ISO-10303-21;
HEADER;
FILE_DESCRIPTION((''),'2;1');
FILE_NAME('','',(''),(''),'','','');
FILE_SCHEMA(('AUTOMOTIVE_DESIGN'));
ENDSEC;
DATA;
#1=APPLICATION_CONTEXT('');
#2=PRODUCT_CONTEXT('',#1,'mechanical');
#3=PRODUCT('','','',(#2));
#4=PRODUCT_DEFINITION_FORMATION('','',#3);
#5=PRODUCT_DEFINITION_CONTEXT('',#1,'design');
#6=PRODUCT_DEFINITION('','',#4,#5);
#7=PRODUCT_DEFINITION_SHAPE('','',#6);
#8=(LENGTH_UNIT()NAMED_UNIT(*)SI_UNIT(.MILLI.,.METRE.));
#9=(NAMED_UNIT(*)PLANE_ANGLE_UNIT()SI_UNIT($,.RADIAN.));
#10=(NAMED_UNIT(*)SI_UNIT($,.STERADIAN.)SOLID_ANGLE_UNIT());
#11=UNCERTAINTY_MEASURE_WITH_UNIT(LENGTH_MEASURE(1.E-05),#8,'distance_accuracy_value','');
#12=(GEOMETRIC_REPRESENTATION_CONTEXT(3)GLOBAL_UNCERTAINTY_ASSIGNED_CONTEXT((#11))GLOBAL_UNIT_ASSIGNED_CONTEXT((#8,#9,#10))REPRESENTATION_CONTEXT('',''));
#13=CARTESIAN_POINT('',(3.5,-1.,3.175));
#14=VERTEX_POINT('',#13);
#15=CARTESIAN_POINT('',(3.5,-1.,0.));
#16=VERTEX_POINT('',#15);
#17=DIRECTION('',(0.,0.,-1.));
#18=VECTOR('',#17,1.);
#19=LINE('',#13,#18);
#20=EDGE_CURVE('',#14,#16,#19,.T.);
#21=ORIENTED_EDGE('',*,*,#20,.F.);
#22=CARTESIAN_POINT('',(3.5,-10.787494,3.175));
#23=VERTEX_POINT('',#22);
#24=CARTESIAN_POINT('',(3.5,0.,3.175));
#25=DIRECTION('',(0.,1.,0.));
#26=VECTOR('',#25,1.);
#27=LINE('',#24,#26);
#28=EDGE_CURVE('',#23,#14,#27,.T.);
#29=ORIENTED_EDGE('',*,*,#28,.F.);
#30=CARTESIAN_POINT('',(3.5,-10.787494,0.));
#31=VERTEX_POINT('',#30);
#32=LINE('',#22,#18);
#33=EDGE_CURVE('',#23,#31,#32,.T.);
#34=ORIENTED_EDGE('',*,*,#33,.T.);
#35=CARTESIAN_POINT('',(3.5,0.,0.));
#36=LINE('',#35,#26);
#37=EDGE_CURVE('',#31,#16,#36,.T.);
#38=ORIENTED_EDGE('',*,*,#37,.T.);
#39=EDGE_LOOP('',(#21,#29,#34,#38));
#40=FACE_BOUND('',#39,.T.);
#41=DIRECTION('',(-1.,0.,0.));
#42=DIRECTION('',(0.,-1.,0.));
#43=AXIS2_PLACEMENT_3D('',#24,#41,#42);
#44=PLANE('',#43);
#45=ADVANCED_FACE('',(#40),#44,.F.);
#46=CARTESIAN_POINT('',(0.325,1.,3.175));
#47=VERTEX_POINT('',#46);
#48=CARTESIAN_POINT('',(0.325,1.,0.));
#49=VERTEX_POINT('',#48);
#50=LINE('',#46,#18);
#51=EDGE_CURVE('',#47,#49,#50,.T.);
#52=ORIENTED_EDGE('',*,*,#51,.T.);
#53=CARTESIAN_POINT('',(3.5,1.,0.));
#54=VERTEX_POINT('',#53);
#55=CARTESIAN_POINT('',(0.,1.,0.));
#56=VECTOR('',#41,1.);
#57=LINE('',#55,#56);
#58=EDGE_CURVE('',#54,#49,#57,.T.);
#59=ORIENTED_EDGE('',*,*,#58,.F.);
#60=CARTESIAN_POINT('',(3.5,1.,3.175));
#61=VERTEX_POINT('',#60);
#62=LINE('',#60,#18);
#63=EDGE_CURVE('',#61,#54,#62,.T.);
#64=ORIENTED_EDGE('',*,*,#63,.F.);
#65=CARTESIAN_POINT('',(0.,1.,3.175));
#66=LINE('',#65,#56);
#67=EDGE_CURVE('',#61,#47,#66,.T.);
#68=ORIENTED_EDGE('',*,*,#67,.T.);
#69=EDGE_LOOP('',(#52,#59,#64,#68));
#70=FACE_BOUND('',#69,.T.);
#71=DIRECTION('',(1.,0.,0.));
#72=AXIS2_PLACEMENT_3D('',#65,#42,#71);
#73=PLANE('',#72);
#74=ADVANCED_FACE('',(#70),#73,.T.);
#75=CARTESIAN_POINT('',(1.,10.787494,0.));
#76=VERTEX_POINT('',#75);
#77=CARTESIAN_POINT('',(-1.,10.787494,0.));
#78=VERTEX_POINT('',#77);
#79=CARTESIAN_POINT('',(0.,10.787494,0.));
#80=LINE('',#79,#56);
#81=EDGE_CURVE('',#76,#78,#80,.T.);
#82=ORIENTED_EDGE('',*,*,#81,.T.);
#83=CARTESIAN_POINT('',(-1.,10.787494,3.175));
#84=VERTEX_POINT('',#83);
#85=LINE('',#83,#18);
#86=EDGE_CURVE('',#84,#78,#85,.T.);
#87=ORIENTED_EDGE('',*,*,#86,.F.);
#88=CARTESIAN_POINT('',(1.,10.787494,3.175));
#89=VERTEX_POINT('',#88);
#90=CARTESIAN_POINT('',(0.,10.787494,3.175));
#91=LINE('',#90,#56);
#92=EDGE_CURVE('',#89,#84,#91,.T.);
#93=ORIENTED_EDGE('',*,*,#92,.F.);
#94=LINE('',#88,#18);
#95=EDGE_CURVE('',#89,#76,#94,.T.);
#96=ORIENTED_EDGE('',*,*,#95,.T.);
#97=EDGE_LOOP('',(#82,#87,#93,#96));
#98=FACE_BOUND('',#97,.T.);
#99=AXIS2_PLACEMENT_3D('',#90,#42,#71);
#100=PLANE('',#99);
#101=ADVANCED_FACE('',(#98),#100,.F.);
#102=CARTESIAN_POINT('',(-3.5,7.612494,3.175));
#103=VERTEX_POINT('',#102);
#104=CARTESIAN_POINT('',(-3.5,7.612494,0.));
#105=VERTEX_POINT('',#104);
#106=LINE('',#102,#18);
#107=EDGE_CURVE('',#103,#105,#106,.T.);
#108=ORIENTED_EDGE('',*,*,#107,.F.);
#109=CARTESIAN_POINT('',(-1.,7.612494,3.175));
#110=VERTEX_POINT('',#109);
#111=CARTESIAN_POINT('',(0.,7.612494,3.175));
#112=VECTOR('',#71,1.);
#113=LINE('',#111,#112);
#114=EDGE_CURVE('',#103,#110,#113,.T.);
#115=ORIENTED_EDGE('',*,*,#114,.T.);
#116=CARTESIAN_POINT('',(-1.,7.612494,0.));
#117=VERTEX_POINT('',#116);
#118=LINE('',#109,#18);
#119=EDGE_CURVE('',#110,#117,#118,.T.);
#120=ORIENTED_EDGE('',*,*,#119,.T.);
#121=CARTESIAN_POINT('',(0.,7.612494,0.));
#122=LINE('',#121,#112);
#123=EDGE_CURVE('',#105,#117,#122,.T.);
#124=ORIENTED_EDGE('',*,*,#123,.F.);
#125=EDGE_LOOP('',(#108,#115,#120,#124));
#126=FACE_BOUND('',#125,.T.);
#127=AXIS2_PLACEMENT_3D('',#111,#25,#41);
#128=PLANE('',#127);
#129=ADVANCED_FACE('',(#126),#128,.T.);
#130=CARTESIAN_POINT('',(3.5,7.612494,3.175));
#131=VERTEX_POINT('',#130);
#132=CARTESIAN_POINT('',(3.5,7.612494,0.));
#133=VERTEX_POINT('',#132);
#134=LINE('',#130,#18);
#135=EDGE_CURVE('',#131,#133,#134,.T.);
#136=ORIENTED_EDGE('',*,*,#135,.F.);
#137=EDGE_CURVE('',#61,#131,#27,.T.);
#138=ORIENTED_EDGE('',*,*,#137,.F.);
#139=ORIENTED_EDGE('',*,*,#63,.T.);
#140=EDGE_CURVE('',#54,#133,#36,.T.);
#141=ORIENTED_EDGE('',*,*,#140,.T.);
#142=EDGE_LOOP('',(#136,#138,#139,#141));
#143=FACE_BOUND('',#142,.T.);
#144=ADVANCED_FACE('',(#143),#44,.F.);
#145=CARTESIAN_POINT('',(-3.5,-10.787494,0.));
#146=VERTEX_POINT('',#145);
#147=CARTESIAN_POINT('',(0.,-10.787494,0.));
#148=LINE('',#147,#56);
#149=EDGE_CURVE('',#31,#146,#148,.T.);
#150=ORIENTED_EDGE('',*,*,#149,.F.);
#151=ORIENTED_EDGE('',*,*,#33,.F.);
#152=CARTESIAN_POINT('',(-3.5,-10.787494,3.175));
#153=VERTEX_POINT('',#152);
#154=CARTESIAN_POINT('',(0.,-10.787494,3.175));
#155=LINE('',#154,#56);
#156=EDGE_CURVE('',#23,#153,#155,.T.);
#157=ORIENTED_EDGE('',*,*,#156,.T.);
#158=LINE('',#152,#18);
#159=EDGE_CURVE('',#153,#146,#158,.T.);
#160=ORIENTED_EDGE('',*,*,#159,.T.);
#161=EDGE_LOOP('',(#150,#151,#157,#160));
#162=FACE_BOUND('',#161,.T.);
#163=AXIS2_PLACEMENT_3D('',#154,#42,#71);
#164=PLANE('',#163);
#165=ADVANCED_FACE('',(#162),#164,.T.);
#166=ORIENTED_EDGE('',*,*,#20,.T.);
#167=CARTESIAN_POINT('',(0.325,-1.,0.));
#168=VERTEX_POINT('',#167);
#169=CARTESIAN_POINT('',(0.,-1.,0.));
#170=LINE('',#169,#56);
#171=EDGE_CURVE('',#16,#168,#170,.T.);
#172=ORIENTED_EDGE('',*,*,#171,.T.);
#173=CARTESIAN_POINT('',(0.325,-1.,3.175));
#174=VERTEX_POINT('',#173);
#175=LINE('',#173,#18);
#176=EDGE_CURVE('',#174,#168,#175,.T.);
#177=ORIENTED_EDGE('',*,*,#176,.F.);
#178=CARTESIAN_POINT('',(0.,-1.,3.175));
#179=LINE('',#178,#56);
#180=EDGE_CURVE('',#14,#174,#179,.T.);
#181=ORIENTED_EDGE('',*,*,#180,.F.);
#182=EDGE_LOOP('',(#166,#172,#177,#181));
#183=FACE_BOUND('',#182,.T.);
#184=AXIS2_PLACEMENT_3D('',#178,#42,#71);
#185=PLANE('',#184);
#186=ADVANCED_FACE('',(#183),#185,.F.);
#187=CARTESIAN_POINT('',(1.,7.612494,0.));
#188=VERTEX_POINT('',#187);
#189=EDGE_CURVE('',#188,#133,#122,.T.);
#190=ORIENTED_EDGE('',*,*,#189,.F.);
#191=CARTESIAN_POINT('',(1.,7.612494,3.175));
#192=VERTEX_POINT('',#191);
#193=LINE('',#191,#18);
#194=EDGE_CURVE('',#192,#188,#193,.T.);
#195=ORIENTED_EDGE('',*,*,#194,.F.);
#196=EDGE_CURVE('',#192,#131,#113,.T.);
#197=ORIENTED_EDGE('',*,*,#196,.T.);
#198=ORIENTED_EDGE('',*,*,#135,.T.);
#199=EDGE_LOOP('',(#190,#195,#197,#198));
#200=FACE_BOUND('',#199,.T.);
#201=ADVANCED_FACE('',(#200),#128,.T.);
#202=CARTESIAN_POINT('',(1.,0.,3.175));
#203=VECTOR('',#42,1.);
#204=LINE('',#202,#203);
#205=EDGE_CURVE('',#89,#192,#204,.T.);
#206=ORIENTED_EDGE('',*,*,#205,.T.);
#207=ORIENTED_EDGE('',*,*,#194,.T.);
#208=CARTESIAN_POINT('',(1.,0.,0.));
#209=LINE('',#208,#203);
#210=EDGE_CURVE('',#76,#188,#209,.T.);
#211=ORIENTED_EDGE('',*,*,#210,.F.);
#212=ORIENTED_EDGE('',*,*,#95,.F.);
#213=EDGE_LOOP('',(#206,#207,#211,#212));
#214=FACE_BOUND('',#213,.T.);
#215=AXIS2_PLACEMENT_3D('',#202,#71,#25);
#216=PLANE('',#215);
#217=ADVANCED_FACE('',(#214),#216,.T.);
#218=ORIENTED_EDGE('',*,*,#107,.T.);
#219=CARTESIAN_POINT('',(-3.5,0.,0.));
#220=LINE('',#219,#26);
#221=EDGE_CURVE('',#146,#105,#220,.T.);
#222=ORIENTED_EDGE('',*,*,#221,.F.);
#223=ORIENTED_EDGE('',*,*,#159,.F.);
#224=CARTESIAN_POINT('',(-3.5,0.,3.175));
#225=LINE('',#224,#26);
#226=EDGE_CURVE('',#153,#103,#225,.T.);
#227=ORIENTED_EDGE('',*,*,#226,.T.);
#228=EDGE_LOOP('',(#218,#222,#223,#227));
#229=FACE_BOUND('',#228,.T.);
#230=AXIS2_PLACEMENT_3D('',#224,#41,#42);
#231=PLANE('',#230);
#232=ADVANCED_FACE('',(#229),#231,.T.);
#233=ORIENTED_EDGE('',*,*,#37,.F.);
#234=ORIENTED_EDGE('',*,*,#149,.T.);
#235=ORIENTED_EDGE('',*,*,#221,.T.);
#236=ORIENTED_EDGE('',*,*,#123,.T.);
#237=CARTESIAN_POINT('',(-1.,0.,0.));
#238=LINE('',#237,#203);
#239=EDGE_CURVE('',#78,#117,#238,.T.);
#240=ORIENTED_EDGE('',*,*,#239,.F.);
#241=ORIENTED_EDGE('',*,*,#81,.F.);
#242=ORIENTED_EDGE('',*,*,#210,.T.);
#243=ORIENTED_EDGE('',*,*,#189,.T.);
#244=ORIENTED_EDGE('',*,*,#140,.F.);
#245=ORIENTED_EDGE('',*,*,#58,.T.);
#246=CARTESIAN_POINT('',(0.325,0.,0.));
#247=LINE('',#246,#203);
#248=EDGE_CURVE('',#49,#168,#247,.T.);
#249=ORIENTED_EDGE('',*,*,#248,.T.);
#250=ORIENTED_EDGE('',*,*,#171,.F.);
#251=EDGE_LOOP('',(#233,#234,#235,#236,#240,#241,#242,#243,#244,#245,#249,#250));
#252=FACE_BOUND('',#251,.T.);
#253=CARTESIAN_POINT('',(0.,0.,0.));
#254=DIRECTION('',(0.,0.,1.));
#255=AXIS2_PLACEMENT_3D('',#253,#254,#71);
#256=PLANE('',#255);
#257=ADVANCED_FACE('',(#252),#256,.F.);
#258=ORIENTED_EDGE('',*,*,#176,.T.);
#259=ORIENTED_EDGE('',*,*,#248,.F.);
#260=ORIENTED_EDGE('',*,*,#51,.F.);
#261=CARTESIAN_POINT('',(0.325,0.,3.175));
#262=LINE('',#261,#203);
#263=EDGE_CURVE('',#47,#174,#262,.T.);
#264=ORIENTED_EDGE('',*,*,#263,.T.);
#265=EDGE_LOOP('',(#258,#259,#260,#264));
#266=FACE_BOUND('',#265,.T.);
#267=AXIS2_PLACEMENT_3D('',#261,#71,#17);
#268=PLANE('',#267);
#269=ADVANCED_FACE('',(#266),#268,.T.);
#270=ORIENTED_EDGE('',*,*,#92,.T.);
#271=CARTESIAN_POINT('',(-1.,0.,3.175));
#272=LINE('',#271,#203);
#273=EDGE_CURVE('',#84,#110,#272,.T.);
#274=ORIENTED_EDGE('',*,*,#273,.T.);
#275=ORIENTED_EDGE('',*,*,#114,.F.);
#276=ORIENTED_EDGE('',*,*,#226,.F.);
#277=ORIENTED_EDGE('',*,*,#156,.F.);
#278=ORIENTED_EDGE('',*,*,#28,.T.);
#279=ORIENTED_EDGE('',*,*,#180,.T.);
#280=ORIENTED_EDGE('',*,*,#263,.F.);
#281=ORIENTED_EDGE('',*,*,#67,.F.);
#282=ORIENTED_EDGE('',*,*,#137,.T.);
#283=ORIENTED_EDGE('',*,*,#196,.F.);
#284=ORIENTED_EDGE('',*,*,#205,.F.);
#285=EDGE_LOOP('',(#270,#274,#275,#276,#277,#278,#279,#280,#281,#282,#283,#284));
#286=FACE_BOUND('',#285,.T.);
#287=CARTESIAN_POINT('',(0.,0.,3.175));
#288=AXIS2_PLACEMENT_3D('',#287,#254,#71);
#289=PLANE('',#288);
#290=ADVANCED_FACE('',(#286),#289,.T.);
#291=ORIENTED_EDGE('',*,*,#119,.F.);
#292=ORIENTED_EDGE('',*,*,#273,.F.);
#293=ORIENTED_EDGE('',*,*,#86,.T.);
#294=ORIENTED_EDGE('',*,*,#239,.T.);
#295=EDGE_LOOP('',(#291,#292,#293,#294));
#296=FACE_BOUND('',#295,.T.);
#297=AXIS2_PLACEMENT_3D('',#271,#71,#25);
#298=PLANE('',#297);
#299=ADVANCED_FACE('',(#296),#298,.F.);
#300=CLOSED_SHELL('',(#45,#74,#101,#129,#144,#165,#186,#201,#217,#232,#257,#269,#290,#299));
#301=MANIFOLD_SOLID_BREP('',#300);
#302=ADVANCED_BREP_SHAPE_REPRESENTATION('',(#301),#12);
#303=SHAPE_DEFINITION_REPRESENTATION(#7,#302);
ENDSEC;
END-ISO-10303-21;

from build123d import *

# Parameters (mm, degrees)
BOSS_EXTRUDE1_DEPTH = 3.175


with BuildPart() as part:
    # Sketch1 → Boss-Extrude1 (new body)
    with BuildSketch(Plane.XY):
        Polygon((-3.5, -10.7874943), (3.5, -10.7874943), (3.5, -1), (0.325, -1), (0.325, 1), (3.5, 1), (3.5, 7.6124943), (1, 7.6124943), (1, 10.7874943), (-1, 10.7874943), (-1, 7.6124943), (-3.5, 7.6124943), align=None)
    extrude(amount=BOSS_EXTRUDE1_DEPTH)


solid = part.part
